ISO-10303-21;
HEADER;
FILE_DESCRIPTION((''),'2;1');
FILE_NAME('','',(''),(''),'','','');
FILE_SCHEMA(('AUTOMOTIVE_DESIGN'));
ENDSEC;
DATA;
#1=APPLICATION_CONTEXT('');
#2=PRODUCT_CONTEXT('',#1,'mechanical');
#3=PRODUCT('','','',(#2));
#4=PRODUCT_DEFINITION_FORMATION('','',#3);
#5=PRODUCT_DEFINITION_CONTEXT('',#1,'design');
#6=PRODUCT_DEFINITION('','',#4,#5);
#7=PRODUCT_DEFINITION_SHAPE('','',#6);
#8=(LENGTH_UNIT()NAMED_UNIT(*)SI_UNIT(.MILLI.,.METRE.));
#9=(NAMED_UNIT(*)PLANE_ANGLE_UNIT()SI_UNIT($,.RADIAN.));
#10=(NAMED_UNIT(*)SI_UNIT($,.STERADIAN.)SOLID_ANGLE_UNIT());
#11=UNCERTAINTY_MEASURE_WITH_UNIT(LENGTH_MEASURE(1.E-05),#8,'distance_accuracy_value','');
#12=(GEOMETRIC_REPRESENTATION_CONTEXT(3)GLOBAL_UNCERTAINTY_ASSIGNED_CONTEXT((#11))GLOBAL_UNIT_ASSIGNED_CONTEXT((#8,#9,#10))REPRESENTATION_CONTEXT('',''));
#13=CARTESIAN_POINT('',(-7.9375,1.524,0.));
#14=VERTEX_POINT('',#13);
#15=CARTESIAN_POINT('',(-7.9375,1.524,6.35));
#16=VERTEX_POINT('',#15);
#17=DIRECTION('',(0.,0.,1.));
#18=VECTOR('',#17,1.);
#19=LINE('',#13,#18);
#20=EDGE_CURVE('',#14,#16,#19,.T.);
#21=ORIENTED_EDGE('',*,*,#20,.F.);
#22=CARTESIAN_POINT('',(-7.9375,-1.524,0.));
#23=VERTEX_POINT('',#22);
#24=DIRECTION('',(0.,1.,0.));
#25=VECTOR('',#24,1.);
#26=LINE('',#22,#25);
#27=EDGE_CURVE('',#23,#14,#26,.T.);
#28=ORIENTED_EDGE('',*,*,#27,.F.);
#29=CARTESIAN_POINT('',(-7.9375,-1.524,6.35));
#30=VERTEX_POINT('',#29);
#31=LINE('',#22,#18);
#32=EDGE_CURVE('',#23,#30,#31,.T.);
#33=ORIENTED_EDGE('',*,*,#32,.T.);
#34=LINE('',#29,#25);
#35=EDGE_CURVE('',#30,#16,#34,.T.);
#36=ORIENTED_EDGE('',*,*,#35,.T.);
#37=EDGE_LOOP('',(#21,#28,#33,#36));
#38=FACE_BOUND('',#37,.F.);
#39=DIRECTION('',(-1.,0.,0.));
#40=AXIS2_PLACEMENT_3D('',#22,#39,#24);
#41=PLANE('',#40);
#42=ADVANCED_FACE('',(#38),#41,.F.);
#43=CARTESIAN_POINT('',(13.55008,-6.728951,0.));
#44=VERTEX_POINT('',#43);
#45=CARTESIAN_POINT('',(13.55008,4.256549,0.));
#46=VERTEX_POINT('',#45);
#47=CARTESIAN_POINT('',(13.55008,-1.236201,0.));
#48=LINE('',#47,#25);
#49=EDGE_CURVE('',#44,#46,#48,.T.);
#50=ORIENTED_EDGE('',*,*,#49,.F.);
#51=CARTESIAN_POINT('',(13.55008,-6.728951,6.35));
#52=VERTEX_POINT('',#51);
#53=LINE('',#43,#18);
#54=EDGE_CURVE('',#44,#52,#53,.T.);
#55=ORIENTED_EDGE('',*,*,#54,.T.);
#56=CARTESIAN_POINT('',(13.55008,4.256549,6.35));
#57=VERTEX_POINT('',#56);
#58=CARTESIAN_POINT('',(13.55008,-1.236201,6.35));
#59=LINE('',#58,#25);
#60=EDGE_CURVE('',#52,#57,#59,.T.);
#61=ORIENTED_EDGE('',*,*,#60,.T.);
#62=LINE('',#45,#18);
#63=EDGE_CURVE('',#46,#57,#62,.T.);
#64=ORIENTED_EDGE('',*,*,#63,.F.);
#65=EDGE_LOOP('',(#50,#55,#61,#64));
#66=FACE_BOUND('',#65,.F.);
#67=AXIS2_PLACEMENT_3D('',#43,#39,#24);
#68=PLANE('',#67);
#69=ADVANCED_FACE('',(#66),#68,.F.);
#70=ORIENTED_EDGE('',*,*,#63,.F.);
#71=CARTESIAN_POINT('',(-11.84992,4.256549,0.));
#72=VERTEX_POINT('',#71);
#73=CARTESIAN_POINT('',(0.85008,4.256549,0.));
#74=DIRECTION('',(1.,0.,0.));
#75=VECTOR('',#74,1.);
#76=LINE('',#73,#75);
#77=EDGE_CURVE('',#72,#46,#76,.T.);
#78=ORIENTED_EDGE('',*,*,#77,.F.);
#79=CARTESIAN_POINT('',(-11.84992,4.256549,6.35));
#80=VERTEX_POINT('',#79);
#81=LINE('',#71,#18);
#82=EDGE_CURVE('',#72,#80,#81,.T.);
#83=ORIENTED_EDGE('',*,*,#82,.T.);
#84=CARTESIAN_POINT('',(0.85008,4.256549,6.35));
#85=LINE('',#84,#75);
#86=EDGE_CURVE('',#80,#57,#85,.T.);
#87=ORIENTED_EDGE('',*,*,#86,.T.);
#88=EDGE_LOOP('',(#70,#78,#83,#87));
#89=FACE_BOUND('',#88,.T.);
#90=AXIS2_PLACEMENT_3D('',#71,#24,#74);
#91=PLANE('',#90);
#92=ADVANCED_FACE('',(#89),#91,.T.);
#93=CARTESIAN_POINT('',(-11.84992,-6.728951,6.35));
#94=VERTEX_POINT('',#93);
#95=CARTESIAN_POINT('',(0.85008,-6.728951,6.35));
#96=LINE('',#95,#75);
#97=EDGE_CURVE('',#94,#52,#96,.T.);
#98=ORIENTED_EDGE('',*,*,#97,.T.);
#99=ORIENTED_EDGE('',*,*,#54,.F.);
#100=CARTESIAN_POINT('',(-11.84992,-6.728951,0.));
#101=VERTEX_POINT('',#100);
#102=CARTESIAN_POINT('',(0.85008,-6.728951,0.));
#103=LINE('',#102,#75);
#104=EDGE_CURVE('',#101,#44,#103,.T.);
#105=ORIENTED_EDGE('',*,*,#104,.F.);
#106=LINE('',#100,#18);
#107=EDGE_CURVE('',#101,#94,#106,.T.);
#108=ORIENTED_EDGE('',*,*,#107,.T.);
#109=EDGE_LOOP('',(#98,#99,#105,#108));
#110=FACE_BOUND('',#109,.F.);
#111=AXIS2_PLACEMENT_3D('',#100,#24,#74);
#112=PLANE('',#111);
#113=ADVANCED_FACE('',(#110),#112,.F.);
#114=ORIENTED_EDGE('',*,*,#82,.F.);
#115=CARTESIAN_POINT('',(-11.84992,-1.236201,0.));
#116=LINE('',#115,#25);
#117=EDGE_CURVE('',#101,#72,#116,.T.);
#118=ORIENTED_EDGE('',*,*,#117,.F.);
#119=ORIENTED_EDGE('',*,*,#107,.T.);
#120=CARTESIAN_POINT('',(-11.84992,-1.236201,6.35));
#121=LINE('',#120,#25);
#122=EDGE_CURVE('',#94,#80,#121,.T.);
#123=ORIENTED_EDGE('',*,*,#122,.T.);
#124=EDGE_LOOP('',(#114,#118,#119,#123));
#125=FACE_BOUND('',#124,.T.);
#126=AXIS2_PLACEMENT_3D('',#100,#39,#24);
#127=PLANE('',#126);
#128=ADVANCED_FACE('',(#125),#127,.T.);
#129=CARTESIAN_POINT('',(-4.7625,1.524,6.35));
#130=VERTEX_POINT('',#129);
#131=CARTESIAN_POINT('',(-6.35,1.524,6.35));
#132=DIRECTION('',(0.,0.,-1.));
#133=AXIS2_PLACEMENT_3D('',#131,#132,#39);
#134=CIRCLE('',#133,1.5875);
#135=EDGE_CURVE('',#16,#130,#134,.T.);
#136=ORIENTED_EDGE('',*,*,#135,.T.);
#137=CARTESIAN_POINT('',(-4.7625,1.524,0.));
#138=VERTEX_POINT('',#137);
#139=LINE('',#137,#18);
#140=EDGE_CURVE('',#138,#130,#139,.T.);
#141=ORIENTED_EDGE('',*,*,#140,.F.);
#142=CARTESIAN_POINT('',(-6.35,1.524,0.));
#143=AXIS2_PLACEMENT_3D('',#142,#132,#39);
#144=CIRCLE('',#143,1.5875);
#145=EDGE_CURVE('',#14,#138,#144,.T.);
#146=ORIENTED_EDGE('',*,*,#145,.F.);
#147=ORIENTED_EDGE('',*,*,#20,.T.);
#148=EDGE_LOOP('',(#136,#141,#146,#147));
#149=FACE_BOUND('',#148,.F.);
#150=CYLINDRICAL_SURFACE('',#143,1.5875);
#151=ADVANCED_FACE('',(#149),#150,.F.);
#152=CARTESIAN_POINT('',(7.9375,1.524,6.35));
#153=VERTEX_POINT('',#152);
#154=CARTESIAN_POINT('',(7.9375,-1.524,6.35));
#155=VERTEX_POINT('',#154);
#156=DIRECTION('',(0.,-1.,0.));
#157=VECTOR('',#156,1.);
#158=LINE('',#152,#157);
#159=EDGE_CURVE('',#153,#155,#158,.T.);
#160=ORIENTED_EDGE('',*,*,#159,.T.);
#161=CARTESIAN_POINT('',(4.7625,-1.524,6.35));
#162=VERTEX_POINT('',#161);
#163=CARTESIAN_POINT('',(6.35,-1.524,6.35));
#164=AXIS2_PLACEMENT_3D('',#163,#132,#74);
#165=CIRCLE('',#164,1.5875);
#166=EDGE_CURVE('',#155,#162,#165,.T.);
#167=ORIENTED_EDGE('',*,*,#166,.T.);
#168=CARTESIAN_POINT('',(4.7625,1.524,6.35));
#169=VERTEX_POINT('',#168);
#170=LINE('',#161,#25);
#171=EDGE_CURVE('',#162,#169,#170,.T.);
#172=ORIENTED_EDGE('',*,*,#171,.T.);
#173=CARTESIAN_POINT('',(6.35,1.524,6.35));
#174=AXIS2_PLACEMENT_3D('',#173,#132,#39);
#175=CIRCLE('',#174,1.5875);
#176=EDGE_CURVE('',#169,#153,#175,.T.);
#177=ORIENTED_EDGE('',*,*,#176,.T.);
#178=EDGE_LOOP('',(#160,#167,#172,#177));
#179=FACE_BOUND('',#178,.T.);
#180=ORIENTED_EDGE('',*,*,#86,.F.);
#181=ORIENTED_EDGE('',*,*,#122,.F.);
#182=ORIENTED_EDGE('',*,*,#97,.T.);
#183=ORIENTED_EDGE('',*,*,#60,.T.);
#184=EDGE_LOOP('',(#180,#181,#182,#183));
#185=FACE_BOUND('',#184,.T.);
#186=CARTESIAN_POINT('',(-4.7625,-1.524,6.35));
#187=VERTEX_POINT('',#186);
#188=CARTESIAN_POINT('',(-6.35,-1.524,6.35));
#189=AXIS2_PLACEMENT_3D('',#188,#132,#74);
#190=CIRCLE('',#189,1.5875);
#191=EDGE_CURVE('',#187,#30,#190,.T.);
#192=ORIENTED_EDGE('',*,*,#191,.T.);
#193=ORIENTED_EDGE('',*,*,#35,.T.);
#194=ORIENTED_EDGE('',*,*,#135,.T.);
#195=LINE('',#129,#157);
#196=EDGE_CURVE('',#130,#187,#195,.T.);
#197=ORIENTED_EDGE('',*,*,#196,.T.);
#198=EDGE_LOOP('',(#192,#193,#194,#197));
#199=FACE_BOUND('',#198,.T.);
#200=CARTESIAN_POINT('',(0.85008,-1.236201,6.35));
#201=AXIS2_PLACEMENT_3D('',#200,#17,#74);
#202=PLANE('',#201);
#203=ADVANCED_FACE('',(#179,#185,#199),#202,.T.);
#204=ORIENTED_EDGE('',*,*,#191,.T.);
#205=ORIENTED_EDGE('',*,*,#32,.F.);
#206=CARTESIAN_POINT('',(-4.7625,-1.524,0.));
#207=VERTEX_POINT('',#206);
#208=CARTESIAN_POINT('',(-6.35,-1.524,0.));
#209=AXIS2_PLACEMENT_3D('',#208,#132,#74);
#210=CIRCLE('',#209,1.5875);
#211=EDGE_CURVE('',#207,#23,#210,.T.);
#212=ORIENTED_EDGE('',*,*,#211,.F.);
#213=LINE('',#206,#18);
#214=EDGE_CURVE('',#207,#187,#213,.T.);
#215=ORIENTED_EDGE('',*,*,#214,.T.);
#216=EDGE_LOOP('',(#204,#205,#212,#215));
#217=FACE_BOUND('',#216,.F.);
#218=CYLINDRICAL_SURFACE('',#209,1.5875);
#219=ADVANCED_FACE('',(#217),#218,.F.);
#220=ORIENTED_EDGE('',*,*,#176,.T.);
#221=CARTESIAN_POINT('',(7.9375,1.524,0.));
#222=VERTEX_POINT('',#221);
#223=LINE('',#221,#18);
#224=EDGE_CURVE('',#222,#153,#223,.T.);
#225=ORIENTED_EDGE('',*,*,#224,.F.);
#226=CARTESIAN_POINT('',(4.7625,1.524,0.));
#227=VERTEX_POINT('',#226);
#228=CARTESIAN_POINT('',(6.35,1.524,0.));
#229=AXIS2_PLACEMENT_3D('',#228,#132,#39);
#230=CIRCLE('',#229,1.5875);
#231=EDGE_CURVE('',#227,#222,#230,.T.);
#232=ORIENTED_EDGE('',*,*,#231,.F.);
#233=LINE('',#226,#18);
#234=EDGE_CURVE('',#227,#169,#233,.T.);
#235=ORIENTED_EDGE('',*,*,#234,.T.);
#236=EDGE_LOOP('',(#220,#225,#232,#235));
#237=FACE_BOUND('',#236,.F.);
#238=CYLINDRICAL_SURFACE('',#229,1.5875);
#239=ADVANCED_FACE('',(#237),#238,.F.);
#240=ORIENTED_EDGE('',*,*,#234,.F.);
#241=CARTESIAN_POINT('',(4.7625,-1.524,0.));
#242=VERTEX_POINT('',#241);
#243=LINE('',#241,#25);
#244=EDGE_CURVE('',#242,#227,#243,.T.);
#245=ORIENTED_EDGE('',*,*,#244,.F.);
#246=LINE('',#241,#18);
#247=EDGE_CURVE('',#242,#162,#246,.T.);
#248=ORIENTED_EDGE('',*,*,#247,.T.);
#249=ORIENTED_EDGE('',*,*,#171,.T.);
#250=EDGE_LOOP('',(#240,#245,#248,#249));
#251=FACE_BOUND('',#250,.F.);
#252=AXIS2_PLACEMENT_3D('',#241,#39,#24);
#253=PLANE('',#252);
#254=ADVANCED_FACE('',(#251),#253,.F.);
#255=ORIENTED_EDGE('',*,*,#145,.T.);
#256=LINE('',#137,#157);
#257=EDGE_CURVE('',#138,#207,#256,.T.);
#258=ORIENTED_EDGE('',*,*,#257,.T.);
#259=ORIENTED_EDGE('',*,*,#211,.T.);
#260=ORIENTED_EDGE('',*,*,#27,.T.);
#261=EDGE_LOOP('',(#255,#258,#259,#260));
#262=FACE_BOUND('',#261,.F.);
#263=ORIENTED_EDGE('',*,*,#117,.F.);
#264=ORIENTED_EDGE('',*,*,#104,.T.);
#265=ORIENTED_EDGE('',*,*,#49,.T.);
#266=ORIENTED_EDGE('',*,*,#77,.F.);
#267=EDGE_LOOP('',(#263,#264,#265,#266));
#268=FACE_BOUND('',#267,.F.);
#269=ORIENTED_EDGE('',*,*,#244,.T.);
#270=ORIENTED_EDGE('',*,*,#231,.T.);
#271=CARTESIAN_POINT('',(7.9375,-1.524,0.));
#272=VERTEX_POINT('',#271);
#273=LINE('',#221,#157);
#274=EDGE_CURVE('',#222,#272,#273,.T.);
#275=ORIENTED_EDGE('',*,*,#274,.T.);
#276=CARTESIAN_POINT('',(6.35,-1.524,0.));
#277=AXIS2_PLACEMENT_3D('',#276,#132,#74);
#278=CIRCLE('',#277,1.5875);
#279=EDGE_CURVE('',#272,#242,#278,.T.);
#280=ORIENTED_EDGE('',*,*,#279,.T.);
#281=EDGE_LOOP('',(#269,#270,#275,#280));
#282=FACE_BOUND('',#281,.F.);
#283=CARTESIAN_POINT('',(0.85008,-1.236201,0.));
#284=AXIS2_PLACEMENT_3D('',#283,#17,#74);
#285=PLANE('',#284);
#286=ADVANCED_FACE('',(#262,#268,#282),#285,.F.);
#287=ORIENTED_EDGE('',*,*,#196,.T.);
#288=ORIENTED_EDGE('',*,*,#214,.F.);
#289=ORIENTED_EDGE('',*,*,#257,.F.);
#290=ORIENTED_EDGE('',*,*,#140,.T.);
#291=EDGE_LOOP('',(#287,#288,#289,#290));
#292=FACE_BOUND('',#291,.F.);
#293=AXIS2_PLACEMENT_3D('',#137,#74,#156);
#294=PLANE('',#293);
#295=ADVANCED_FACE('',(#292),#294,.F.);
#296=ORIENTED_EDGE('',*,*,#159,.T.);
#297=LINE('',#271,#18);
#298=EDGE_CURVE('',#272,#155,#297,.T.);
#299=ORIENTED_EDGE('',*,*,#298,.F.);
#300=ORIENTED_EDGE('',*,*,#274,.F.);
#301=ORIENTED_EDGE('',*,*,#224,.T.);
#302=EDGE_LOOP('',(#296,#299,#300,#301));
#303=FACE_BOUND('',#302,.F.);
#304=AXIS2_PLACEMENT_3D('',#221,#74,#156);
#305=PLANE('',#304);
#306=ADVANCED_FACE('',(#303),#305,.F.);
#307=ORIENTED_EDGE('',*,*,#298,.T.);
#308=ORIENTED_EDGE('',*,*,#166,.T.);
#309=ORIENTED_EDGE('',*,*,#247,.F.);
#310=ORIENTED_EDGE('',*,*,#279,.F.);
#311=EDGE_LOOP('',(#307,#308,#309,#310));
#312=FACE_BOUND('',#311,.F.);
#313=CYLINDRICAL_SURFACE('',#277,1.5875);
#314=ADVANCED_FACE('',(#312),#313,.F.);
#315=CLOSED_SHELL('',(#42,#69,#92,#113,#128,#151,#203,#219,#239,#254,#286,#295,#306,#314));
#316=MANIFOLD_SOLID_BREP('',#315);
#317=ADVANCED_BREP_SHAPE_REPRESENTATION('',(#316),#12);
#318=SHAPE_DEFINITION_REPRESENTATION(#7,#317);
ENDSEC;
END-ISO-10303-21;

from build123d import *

# Parameters (mm, degrees)
F0_W     = 25.4
F0_H     = 10.9855
F1_DEPTH = 6.35


with BuildPart() as f1:
    # F0 (on Top) → F1 (new body)
    with BuildSketch(Plane.XY):
        with Locations((0.85008, -1.236201)):
            Rectangle(F0_W, F0_H)
        with BuildLine():
            Line((-4.7625, 1.524), (-4.7625, 0))
            Line((-4.7625, 0), (-4.7625, -1.524))
            ThreePointArc((-4.7625, -1.524), (-6.35, -3.1115), (-7.9375, -1.524))
            Line((-7.9375, -1.524), (-7.9375, 0))
            Line((-7.9375, 0), (-7.9375, 1.524))
            ThreePointArc((-7.9375, 1.524), (-6.35, 3.1115), (-4.7625, 1.524))
        make_face(mode=Mode.SUBTRACT)
        with BuildLine():
            Line((7.9375, 1.524), (7.9375, 0))
            Line((7.9375, 0), (7.9375, -1.524))
            ThreePointArc((7.9375, -1.524), (6.35, -3.1115), (4.7625, -1.524))
            Line((4.7625, -1.524), (4.7625, 0))
            Line((4.7625, 0), (4.7625, 1.524))
            ThreePointArc((4.7625, 1.524), (6.35, 3.1115), (7.9375, 1.524))
        make_face(mode=Mode.SUBTRACT)
    extrude(amount=F1_DEPTH)


solid = f1.part
